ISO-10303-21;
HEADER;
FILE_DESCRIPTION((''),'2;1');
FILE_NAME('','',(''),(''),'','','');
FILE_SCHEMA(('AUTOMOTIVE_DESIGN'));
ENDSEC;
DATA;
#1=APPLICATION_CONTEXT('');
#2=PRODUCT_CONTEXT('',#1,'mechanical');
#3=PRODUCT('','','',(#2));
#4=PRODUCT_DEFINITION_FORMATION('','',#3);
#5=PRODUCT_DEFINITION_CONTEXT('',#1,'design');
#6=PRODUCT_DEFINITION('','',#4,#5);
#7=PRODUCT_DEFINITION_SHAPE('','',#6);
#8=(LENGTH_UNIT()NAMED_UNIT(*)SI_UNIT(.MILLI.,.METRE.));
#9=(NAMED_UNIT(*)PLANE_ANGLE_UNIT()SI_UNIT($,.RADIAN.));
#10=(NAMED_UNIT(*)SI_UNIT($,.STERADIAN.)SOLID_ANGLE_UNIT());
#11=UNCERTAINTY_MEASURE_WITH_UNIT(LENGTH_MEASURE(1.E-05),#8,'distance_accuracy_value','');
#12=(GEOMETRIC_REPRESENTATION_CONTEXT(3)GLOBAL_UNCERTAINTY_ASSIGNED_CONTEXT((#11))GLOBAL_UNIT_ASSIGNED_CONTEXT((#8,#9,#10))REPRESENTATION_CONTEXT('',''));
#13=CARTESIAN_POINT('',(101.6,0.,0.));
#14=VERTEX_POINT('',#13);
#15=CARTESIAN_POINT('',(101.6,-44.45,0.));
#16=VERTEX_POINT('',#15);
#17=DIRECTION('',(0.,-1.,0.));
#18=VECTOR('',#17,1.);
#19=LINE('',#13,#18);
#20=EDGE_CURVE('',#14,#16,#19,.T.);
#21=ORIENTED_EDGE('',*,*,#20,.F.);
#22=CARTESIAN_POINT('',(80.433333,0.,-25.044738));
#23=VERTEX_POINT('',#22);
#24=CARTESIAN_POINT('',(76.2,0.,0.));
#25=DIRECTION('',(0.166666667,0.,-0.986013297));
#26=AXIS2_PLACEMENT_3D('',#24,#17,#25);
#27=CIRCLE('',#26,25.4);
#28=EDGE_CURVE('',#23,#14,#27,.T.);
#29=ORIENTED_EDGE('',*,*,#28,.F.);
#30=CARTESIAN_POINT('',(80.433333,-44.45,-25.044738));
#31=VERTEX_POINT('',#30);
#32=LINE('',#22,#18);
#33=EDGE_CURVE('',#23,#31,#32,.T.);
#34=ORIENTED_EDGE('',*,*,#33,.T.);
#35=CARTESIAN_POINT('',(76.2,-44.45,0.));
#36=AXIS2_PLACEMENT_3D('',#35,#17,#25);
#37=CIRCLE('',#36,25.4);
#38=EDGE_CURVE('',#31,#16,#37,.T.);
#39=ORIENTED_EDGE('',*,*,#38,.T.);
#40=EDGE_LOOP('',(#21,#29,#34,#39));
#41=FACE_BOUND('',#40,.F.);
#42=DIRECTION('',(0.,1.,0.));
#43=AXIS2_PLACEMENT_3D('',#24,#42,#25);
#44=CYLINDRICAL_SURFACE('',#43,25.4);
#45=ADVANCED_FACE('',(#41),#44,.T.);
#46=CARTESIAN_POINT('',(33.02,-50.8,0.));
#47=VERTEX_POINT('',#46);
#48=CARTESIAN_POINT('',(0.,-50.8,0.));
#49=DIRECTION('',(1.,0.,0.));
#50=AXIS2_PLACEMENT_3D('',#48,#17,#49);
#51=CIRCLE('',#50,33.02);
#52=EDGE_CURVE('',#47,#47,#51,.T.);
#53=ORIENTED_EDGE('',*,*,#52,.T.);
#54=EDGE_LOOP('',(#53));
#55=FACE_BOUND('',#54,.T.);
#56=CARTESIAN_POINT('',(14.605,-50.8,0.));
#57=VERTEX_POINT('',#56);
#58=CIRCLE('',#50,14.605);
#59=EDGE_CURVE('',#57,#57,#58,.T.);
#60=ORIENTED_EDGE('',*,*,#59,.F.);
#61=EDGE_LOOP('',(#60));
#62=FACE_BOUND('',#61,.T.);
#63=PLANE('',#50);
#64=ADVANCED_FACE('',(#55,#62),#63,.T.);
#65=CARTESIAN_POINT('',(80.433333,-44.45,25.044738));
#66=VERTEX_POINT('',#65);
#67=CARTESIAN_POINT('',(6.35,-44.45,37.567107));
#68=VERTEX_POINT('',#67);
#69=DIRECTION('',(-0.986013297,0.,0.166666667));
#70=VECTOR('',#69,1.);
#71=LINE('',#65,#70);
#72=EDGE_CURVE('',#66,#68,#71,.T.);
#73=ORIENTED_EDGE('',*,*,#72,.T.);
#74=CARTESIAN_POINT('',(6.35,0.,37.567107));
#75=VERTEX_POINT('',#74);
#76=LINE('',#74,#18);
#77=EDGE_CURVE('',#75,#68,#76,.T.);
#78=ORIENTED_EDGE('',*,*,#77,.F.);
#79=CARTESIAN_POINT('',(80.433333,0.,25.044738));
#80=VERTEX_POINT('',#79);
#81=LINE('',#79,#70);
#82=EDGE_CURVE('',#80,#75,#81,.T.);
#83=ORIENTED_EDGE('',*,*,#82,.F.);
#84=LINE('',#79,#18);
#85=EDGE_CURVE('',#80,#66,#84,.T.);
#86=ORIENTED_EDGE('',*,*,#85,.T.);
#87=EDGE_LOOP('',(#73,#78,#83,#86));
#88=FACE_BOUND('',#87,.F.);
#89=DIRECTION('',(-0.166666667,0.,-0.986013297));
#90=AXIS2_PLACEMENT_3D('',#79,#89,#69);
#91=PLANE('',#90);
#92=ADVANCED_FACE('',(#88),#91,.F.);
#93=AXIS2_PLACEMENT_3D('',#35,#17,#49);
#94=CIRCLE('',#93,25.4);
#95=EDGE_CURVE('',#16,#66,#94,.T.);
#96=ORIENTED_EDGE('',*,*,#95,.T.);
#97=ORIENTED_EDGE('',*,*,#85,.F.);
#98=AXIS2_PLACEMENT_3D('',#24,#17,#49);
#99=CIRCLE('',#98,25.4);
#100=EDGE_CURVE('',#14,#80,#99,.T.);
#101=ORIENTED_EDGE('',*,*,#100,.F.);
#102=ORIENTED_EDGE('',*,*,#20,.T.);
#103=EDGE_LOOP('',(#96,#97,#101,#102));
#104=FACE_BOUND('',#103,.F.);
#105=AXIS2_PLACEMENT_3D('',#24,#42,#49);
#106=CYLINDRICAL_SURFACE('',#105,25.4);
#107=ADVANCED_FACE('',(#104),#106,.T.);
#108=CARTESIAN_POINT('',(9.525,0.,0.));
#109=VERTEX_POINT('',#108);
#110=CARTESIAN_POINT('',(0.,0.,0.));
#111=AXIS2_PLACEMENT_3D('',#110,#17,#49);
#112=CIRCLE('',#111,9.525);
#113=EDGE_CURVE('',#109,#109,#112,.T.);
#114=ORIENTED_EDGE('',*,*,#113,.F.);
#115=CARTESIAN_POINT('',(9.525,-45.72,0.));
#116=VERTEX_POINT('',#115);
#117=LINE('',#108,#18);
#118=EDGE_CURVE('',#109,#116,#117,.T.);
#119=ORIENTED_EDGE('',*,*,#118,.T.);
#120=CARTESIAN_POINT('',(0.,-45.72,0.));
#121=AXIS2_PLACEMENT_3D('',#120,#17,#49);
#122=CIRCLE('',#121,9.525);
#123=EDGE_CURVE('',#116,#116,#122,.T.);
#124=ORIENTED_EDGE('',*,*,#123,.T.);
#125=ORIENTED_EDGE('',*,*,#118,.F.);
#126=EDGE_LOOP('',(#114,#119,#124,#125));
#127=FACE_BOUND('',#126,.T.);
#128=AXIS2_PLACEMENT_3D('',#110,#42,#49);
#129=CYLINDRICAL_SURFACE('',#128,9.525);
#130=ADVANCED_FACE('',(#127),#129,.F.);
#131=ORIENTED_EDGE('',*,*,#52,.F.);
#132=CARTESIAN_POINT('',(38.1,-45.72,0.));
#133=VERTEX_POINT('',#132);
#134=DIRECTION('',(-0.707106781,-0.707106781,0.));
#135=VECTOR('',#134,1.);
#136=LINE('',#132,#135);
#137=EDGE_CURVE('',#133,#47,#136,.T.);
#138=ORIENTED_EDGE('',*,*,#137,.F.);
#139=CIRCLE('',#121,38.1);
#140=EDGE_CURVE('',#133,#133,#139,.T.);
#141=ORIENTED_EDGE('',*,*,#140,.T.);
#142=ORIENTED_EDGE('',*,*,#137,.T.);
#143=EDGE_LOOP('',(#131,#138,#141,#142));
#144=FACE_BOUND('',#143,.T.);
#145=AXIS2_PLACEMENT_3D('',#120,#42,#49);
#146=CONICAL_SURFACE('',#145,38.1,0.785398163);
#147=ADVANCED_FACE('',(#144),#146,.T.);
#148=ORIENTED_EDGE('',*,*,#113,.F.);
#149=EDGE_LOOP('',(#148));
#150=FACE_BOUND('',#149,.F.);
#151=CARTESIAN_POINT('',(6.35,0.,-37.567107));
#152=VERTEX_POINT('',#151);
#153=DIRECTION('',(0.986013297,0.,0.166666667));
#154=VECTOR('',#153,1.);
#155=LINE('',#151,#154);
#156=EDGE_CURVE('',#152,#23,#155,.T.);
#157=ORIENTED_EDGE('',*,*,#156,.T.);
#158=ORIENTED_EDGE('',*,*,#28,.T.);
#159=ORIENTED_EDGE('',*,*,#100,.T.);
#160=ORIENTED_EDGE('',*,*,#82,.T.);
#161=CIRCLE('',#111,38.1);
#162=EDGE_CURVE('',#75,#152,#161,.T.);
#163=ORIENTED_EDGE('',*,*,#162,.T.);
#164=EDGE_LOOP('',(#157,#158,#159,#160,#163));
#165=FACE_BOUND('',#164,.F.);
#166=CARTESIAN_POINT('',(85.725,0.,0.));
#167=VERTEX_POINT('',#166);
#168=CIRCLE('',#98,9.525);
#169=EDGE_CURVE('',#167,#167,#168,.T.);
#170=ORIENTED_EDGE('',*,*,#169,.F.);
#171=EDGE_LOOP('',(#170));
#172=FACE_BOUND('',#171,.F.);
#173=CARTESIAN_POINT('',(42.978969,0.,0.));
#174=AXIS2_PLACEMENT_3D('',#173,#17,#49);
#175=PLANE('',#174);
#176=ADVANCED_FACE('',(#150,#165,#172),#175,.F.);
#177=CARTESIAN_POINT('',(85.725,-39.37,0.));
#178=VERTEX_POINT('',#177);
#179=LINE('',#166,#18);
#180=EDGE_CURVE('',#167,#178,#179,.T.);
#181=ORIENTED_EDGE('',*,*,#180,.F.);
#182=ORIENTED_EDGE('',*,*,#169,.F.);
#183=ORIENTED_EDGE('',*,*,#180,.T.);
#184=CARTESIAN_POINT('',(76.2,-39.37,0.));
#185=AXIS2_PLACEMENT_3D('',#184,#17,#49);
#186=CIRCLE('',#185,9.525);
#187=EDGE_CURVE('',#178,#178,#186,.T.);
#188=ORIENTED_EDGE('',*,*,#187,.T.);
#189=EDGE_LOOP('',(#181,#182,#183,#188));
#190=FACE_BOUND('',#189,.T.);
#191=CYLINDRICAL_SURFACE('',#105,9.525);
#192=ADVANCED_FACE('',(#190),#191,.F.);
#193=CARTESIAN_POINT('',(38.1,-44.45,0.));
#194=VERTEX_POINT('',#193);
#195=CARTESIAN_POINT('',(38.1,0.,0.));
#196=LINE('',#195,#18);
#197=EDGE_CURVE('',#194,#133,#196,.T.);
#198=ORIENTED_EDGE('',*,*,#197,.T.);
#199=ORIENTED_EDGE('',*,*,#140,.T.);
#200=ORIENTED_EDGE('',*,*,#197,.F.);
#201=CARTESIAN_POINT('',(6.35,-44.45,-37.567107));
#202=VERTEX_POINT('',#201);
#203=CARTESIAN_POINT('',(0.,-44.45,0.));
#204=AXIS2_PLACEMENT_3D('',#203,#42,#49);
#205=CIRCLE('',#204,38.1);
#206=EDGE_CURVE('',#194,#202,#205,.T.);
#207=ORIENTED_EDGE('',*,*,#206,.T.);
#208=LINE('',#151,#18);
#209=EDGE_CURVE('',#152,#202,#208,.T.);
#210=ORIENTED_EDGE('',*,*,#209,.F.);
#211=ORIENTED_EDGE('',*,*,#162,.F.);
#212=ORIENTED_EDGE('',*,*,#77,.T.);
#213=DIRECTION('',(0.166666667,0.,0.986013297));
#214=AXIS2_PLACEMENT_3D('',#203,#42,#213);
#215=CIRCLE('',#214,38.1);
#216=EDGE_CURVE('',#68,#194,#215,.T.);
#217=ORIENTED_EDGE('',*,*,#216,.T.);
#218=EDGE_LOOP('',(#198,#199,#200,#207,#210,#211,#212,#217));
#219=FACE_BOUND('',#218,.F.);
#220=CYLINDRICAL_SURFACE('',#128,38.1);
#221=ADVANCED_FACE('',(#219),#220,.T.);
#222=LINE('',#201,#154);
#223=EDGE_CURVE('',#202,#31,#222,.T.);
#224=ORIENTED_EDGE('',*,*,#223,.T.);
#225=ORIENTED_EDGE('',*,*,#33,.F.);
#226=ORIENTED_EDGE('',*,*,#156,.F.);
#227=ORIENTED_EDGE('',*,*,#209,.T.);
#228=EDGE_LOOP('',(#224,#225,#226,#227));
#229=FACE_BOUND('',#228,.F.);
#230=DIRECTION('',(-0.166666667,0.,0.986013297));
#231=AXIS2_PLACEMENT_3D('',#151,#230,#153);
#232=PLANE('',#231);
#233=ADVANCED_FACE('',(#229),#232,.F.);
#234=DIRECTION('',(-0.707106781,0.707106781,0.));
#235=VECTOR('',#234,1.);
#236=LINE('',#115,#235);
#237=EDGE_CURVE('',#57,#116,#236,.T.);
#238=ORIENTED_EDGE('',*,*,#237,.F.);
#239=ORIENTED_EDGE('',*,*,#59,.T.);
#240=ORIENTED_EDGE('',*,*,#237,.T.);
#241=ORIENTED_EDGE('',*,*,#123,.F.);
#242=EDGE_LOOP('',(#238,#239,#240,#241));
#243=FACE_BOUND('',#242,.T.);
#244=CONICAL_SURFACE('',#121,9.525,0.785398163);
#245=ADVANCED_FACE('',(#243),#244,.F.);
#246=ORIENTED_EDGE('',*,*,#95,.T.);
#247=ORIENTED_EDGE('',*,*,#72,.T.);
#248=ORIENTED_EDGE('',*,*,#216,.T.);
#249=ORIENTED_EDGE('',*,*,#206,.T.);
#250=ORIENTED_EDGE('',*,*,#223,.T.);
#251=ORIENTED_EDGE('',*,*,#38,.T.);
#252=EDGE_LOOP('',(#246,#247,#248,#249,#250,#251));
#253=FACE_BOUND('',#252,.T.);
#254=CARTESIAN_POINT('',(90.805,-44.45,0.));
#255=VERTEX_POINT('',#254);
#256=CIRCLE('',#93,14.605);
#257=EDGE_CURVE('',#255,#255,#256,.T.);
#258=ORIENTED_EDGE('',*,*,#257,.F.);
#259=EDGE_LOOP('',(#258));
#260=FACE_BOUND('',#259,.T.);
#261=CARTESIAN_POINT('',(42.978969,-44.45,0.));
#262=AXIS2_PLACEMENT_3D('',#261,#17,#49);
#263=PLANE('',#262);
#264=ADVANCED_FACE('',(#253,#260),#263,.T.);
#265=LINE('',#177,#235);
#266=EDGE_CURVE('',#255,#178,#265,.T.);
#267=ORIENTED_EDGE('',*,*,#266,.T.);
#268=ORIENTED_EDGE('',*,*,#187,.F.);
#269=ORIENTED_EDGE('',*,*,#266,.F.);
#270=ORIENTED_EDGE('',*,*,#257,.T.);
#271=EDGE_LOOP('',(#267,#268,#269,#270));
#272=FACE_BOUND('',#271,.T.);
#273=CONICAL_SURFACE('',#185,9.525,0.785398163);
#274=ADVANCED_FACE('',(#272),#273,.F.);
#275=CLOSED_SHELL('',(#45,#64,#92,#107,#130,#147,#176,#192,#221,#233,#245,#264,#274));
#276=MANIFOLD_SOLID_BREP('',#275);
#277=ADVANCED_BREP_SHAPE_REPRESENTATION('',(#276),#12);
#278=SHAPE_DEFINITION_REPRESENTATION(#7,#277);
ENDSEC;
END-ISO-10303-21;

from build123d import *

# Parameters (mm, degrees)
F0_R     = 9.525
F1_DEPTH = 30.6987799704
F1_TAPER = 3
F2_DEPTH = 50.8
F3_DEPTH = 44.45
F4_SIZE  = 5.08


with BuildPart() as f1:
    # F0 (on Front) → F1 (new body)
    with BuildSketch(Plane.XZ):
        with BuildLine():
            ThreePointArc((6.35, -37.5671066227), (29.099355663, -24.5934442484), (38.1, 0))
            ThreePointArc((38.1, 0), (29.099355663, 24.5934442484), (6.35, 37.5671066227))
            ThreePointArc((6.35, 37.5671066227), (-38.1, 0), (6.35, -37.5671066227))
        make_face()
        Circle(F0_R, mode=Mode.SUBTRACT)
    extrude(amount=F1_DEPTH, taper=F1_TAPER)

    # F0 (on Front) → F2 (join)
    with BuildSketch(Plane.XZ):
        with BuildLine():
            ThreePointArc((6.35, -37.5671066227), (29.099355663, -24.5934442484), (38.1, 0))
            ThreePointArc((38.1, 0), (29.099355663, 24.5934442484), (6.35, 37.5671066227))
            ThreePointArc((6.35, 37.5671066227), (-38.1, 0), (6.35, -37.5671066227))
        make_face()
        Circle(F0_R, mode=Mode.SUBTRACT)
    extrude(amount=F2_DEPTH)

    # F0 (on Front) → F3 (join)
    with BuildSketch(Plane.XZ):
        with BuildLine():
            ThreePointArc((6.35, 37.5671066227), (29.099355663, 24.5934442484), (38.1, 0))
            ThreePointArc((38.1, 0), (29.099355663, -24.5934442484), (6.35, -37.5671066227))
            Line((6.35, -37.5671066227), (80.4333333333, -25.0447377485))
            ThreePointArc((80.4333333333, -25.0447377485), (50.8, 0), (80.4333333333, 25.0447377485))
            Line((80.4333333333, 25.0447377485), (6.35, 37.5671066227))
        make_face()
        with BuildLine():
            ThreePointArc((101.6, 0), (95.599570442, 16.3956294989), (80.4333333333, 25.0447377485))
            ThreePointArc((80.4333333333, 25.0447377485), (50.8, 0), (80.4333333333, -25.0447377485))
            ThreePointArc((80.4333333333, -25.0447377485), (95.599570442, -16.3956294989), (101.6, 0))
        make_face()
        with Locations((76.2, 0)):
            Circle(F0_R, mode=Mode.SUBTRACT)
    extrude(amount=F3_DEPTH)

    # F4
    f4_edges = [f1.edges().sort_by_distance(p)[0] for p in [
        (-9.525, -50.8, 0),
        (-6.35, -50.8, 37.567107),
        (66.675, -44.45, 0),
    ]]
    chamfer(f4_edges, length=F4_SIZE)


solid = f1.part
